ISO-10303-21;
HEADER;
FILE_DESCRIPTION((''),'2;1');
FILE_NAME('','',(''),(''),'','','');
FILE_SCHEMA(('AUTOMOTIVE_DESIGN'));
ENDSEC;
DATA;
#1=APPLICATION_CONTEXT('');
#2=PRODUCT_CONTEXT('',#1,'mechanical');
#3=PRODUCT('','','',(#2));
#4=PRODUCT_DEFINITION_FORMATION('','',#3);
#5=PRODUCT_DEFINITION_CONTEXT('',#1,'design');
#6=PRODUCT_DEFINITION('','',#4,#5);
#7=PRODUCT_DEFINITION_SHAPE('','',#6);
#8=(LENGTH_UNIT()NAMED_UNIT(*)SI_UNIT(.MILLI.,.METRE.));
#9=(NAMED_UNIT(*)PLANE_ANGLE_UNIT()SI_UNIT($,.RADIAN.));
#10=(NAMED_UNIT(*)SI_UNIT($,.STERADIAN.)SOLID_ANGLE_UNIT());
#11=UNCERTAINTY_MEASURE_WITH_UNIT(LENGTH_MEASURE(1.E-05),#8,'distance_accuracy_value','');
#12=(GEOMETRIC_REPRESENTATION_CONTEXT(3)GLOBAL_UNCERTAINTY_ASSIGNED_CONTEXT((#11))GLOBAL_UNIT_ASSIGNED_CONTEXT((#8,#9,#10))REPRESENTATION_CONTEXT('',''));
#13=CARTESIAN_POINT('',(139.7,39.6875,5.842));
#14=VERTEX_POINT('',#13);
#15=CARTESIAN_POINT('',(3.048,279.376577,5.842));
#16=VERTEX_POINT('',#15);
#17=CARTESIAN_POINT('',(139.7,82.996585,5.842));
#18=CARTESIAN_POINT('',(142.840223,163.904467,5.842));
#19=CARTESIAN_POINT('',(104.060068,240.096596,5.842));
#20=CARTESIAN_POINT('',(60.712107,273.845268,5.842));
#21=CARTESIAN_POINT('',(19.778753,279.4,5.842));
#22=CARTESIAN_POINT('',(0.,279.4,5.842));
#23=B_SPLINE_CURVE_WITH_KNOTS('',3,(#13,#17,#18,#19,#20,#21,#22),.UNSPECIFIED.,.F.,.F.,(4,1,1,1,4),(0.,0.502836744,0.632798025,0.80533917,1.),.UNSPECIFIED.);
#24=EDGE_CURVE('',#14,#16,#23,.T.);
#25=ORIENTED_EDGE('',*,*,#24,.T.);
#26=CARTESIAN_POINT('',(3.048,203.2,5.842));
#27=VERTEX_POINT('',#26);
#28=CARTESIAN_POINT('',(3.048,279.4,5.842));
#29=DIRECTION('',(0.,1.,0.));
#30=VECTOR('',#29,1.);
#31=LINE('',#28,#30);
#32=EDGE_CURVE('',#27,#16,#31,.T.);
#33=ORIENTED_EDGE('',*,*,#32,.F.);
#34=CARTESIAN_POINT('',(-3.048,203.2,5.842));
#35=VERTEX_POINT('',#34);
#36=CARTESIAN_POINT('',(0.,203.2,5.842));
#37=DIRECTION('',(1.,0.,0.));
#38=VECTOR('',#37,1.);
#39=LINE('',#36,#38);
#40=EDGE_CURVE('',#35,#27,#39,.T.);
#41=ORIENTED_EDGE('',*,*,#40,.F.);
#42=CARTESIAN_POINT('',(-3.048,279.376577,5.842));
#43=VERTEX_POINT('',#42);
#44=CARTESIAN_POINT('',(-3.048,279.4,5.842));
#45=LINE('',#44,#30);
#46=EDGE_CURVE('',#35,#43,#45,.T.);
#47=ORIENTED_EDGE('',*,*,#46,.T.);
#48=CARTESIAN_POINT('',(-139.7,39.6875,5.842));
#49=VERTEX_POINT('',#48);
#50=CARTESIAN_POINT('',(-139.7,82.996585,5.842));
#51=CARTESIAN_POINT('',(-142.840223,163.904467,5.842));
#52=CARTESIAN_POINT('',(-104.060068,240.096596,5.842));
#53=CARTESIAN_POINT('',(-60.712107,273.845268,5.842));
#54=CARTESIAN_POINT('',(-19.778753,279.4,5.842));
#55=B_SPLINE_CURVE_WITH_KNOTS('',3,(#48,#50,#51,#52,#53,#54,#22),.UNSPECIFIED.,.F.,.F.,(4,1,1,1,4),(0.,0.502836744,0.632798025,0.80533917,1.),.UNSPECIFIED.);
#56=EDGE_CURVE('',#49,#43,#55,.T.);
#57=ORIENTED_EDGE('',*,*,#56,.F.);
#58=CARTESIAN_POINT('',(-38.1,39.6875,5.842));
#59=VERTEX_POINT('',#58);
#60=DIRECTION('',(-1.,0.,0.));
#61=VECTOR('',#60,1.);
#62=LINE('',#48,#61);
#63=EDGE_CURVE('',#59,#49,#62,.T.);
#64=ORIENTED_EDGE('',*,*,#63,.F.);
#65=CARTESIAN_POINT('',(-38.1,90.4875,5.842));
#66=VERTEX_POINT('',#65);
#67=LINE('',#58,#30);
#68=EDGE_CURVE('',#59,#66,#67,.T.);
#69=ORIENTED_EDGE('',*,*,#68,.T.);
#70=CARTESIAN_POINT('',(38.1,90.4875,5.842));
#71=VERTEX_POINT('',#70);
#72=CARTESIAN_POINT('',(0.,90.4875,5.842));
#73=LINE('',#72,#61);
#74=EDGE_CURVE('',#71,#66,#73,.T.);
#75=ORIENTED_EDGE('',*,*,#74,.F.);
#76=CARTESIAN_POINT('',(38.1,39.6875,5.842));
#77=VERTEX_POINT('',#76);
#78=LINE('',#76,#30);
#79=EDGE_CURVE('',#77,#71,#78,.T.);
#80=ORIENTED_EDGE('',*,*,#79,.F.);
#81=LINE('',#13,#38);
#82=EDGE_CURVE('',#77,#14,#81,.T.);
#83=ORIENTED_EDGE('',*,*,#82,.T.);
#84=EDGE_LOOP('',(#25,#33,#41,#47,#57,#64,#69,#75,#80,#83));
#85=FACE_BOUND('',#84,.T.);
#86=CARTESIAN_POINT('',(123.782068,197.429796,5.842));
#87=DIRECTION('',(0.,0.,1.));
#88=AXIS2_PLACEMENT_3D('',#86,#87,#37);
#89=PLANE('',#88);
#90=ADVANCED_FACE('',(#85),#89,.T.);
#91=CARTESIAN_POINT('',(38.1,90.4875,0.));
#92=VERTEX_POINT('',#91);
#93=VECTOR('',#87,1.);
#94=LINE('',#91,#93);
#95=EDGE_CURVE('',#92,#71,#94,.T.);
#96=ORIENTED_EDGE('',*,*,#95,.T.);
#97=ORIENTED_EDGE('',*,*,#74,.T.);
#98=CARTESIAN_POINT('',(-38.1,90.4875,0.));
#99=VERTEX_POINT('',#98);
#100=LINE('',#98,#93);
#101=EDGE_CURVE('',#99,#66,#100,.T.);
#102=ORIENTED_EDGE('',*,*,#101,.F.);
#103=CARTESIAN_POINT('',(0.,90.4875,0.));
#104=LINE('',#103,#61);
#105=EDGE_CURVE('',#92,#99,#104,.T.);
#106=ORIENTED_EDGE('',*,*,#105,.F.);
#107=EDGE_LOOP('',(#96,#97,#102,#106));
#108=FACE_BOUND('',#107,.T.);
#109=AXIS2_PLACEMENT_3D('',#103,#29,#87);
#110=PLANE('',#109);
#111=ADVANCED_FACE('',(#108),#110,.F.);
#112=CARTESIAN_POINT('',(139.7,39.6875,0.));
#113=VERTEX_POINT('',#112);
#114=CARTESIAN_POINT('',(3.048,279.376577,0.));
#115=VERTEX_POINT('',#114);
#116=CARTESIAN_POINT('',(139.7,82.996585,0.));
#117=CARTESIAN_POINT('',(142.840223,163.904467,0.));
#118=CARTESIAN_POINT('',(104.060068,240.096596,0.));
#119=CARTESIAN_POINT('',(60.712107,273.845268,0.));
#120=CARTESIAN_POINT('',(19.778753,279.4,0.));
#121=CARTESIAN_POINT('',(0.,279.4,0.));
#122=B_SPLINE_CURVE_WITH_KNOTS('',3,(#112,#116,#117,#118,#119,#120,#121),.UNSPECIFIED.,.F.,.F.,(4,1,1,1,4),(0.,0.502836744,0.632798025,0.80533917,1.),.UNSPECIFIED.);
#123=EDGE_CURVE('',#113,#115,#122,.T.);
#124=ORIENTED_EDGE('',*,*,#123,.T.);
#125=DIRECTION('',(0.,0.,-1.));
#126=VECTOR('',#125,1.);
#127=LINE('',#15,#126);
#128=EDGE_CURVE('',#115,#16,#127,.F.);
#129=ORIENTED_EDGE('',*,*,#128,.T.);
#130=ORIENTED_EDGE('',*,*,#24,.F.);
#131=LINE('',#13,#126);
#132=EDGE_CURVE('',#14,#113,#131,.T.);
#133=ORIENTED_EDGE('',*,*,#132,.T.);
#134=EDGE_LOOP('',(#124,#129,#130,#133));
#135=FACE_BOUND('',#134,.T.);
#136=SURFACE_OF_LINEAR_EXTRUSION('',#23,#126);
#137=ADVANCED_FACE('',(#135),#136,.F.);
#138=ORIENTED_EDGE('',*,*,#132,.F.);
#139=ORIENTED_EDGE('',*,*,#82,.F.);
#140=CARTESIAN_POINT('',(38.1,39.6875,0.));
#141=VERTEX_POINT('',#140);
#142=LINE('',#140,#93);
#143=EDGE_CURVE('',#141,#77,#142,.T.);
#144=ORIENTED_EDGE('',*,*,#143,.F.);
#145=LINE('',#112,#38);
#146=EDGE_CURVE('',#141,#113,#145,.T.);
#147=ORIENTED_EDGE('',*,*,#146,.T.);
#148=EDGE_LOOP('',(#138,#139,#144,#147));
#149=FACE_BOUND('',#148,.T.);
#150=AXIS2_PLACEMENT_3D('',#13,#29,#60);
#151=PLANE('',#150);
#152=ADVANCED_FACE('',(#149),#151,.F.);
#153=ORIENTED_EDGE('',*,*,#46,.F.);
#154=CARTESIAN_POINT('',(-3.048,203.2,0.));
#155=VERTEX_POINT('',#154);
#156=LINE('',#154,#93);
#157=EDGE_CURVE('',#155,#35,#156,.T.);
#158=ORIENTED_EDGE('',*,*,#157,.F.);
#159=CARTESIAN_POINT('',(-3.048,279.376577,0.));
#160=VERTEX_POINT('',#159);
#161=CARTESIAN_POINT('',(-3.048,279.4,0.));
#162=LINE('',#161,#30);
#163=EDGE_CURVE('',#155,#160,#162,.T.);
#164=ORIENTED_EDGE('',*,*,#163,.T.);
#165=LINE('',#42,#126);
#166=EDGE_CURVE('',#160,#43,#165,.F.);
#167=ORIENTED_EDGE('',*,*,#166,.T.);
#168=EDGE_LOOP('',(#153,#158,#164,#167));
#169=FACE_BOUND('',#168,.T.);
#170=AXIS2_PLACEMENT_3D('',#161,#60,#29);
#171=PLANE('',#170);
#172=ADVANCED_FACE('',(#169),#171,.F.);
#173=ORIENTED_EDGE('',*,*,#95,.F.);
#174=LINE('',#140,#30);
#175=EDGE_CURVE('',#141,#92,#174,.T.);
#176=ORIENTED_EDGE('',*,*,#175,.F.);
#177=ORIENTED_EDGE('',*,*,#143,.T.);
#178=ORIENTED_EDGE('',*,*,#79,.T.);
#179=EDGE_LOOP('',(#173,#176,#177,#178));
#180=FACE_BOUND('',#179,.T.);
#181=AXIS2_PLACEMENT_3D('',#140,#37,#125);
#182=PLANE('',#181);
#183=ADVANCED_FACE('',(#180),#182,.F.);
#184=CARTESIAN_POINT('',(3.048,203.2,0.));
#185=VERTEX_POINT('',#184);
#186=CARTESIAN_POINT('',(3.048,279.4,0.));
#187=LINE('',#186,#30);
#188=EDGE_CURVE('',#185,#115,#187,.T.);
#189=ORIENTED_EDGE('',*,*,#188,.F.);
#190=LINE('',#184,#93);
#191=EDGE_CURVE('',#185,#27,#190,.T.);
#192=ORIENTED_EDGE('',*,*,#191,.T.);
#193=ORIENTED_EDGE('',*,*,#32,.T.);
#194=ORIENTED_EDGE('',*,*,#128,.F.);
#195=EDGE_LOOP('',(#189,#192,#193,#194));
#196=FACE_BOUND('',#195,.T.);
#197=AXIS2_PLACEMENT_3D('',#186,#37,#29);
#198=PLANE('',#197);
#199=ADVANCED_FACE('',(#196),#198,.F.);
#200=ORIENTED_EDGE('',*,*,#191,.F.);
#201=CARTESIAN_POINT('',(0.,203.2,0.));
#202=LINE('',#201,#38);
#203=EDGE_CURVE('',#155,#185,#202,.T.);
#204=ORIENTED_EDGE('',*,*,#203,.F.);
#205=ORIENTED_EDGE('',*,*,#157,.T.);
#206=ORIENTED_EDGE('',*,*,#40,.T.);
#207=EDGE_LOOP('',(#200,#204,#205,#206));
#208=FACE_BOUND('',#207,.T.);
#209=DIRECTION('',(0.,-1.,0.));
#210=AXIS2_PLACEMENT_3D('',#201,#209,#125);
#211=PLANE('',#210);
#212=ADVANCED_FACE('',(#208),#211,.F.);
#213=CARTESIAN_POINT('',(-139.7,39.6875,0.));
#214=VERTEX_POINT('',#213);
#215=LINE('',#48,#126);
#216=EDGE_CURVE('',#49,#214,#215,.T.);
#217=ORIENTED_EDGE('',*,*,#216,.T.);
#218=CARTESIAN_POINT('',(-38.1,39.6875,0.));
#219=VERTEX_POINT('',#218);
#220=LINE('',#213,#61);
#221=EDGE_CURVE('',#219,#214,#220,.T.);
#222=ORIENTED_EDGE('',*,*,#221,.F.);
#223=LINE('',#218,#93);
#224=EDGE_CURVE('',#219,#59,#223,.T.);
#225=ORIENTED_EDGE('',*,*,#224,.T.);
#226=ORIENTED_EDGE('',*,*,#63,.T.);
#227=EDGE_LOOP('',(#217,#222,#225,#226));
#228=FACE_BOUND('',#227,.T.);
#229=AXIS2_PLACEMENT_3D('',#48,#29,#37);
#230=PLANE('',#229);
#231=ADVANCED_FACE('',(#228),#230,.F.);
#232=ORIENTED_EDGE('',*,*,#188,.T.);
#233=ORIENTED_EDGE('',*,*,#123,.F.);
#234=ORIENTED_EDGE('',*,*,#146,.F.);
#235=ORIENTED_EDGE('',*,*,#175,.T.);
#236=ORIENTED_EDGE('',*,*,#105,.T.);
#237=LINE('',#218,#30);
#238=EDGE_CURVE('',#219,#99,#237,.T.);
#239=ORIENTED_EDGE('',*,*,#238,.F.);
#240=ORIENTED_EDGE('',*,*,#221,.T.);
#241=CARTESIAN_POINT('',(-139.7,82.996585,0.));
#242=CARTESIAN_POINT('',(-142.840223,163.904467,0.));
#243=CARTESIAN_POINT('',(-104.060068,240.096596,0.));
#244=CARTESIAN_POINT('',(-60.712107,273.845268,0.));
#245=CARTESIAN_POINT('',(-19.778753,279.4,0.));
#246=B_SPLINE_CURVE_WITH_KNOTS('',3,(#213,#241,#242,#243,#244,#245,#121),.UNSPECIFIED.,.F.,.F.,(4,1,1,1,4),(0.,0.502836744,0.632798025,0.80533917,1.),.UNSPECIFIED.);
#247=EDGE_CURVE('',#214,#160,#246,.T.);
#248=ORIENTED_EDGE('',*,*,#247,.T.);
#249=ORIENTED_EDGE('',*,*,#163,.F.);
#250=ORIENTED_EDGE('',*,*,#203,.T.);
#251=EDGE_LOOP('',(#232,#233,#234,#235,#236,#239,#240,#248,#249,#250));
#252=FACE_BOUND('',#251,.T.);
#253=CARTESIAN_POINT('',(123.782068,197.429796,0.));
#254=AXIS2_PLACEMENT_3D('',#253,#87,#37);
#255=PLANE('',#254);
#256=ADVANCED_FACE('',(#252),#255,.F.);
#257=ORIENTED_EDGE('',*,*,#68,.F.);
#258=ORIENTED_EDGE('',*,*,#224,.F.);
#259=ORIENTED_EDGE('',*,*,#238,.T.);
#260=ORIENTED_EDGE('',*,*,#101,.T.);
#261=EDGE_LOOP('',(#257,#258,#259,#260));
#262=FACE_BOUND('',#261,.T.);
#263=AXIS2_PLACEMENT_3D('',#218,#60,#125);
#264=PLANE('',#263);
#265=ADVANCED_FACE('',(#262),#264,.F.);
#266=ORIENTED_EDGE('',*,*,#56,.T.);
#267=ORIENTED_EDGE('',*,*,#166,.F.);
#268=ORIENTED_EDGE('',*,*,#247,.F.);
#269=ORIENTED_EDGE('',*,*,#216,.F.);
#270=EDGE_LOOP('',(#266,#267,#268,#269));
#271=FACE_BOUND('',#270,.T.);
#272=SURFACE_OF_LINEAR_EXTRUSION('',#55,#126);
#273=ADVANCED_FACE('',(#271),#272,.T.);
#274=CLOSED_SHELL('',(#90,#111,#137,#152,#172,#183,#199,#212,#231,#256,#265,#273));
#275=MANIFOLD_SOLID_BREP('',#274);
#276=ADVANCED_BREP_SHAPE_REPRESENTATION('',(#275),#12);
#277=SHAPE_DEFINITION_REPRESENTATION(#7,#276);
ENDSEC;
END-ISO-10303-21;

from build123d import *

# Parameters (mm, degrees)
BOSS_EXTRUDE1_DEPTH = 5.842
SKETCH3_W           = 38.1
SKETCH3_H           = 50.8
SKETCH3_W_2         = 3.048
SKETCH3_H_2         = 76.2
CUT_EXTRUDE1_DEPTH  = 313.482729861


with BuildPart() as part:
    # Sketch2 → Boss-Extrude1 (new body)
    with BuildSketch(Plane.XY):
        with BuildLine():
            Line((139.7, 39.6875), (0, 39.6875))
            Line((0, 39.6875), (0, 279.4))
            add(Edge.make_bspline(
                [(0, 279.4), (19.778752967, 279.4), (60.712106625, 273.845268019), (104.060068029, 240.096596199), (142.840222691, 163.904467187), (139.7, 82.996585267), (139.7, 39.6875)],
                knots=[0, 0, 0, 0, 0.19466083, 0.367201975, 0.497163256, 1, 1, 1, 1], degree=3))
        make_face()
    extrude(amount=BOSS_EXTRUDE1_DEPTH)

    # Sketch3 → Cut-Extrude1 (cut, through all)
    with BuildSketch(Plane.XY.offset(5.842)):
        with Locations((19.05, 65.0875)):
            Rectangle(SKETCH3_W, SKETCH3_H)
        with Locations((1.524, 241.3)):
            Rectangle(SKETCH3_W_2, SKETCH3_H_2)
    extrude(amount=-CUT_EXTRUDE1_DEPTH, mode=Mode.SUBTRACT)

    # Mirror1: part across plane


with BuildPart() as part_1:
    add(part.part)
    add(part.part.mirror(Plane(origin=(0, 0, 0), x_dir=(0, 0, 1), z_dir=(1, 0, 0))))


solid = part_1.part
